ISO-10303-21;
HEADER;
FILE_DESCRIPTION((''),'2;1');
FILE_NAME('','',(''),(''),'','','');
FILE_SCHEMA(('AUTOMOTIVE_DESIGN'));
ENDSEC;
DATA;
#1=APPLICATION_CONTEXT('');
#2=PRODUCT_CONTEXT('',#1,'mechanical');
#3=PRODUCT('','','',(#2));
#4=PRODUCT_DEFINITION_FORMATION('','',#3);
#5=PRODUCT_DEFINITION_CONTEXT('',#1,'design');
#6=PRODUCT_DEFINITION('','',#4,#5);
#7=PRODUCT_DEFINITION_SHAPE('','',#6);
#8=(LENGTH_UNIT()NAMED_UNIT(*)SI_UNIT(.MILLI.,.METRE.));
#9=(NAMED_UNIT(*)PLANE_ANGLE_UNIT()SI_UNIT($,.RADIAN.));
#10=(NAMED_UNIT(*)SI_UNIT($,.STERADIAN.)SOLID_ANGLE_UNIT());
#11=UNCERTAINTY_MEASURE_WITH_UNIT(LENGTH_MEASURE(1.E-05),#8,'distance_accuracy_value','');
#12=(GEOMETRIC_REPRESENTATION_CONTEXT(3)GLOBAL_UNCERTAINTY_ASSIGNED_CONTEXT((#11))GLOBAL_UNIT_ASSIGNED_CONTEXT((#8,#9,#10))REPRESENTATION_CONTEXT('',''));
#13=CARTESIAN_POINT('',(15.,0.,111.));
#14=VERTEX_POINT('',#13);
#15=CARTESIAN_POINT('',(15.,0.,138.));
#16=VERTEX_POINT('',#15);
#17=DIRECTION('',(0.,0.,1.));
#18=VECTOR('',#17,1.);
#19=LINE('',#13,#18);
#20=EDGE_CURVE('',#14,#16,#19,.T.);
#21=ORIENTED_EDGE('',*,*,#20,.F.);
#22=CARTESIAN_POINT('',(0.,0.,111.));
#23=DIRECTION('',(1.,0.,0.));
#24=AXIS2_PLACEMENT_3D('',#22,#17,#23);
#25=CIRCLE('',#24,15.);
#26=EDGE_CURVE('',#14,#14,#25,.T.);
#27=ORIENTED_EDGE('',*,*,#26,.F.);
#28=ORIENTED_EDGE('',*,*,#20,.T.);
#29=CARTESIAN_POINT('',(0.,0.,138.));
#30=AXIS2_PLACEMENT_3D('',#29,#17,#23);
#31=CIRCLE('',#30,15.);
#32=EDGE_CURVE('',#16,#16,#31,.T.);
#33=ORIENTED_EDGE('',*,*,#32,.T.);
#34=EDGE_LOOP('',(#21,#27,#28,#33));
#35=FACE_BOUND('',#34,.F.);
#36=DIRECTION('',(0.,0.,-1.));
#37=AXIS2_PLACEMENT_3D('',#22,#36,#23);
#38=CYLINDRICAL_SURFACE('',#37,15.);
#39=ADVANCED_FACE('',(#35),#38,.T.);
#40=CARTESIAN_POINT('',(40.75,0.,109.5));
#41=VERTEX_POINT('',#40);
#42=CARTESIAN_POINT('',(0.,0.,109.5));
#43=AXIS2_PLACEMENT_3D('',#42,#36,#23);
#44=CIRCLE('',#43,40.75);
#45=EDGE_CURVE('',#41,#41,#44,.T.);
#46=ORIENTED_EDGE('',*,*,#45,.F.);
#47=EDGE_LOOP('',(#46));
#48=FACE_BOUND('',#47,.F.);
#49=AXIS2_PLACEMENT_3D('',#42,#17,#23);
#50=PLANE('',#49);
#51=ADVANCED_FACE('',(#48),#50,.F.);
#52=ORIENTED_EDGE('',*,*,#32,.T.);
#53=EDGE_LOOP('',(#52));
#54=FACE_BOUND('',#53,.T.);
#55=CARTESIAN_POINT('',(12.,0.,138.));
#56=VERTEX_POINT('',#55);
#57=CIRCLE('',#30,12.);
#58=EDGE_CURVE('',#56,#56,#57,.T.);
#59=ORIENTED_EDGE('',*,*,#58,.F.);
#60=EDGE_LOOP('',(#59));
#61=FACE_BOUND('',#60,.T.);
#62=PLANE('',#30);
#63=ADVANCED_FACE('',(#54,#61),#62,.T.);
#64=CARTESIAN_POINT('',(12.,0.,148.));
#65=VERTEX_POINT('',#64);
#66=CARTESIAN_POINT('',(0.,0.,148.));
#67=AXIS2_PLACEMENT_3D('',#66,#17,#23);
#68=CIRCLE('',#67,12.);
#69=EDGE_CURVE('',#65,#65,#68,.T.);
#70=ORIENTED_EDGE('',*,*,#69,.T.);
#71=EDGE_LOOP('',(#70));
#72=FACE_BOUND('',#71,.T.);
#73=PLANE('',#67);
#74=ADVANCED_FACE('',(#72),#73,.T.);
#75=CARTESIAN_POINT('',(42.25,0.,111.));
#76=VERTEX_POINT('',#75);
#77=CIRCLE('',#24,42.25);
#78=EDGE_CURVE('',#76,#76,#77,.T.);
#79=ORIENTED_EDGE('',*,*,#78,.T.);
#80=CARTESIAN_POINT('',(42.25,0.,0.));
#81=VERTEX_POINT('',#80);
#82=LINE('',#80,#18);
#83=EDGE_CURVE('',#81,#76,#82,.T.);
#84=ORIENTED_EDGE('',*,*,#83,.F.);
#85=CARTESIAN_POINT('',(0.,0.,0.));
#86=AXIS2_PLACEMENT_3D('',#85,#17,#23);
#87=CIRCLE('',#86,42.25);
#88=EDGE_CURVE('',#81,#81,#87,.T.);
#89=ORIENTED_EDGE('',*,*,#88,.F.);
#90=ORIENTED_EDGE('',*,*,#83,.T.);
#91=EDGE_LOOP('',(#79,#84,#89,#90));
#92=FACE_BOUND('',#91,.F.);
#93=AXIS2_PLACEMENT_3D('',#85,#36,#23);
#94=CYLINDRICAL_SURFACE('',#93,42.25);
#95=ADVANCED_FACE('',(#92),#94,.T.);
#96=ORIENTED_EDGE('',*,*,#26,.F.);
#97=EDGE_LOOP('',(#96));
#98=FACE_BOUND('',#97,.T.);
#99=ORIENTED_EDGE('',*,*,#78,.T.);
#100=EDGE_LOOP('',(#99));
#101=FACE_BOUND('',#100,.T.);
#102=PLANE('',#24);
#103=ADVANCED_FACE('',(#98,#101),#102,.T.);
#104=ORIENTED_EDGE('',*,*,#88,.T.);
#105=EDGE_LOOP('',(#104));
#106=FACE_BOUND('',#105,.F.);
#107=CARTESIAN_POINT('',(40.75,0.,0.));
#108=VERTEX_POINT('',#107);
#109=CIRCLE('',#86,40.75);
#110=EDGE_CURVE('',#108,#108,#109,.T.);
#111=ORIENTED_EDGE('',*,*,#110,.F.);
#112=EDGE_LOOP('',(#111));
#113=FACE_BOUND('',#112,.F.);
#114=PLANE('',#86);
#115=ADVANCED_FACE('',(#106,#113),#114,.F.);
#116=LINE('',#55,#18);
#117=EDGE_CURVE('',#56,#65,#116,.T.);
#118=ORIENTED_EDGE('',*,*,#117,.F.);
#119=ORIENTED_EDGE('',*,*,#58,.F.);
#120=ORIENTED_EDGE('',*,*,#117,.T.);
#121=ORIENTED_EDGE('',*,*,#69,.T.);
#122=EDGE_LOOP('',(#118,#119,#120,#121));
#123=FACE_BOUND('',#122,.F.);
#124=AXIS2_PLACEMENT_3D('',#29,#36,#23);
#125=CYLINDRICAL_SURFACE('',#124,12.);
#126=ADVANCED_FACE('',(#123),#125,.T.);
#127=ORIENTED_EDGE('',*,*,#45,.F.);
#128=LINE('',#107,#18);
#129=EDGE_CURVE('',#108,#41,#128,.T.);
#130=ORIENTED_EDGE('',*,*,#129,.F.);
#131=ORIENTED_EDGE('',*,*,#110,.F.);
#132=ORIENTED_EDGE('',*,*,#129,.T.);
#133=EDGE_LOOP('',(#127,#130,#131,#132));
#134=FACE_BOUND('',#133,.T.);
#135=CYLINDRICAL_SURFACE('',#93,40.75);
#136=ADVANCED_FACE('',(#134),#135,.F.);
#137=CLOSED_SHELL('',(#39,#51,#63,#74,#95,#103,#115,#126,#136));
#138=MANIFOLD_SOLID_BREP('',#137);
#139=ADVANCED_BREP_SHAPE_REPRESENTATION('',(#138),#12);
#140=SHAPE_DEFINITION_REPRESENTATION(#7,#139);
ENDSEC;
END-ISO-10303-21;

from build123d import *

# Parameters (mm, degrees)
F0_R     = 42.25
F1_DEPTH = 111
F2_T     = -1.5
F3_R     = 15
F4_DEPTH = 27
F5_R     = 12
F6_DEPTH = 10


with BuildPart() as f1:
    # F0 (on Top) → F1 (new body)
    with BuildSketch(Plane.XY):
        Circle(F0_R)
    extrude(amount=F1_DEPTH)

    # F2
    f2_openings = [f1.faces().sort_by_distance(p)[0] for p in [
        (0, 0, 0),
    ]]
    offset(amount=F2_T, openings=f2_openings)

    # F3 (on face) → F4 (join)
    with BuildSketch(Plane.XY.offset(111)):
        Circle(F3_R)
    extrude(amount=F4_DEPTH)

    # F5 (on face) → F6 (join)
    with BuildSketch(Plane.XY.offset(138)):
        Circle(F5_R)
    extrude(amount=F6_DEPTH)


solid = f1.part
